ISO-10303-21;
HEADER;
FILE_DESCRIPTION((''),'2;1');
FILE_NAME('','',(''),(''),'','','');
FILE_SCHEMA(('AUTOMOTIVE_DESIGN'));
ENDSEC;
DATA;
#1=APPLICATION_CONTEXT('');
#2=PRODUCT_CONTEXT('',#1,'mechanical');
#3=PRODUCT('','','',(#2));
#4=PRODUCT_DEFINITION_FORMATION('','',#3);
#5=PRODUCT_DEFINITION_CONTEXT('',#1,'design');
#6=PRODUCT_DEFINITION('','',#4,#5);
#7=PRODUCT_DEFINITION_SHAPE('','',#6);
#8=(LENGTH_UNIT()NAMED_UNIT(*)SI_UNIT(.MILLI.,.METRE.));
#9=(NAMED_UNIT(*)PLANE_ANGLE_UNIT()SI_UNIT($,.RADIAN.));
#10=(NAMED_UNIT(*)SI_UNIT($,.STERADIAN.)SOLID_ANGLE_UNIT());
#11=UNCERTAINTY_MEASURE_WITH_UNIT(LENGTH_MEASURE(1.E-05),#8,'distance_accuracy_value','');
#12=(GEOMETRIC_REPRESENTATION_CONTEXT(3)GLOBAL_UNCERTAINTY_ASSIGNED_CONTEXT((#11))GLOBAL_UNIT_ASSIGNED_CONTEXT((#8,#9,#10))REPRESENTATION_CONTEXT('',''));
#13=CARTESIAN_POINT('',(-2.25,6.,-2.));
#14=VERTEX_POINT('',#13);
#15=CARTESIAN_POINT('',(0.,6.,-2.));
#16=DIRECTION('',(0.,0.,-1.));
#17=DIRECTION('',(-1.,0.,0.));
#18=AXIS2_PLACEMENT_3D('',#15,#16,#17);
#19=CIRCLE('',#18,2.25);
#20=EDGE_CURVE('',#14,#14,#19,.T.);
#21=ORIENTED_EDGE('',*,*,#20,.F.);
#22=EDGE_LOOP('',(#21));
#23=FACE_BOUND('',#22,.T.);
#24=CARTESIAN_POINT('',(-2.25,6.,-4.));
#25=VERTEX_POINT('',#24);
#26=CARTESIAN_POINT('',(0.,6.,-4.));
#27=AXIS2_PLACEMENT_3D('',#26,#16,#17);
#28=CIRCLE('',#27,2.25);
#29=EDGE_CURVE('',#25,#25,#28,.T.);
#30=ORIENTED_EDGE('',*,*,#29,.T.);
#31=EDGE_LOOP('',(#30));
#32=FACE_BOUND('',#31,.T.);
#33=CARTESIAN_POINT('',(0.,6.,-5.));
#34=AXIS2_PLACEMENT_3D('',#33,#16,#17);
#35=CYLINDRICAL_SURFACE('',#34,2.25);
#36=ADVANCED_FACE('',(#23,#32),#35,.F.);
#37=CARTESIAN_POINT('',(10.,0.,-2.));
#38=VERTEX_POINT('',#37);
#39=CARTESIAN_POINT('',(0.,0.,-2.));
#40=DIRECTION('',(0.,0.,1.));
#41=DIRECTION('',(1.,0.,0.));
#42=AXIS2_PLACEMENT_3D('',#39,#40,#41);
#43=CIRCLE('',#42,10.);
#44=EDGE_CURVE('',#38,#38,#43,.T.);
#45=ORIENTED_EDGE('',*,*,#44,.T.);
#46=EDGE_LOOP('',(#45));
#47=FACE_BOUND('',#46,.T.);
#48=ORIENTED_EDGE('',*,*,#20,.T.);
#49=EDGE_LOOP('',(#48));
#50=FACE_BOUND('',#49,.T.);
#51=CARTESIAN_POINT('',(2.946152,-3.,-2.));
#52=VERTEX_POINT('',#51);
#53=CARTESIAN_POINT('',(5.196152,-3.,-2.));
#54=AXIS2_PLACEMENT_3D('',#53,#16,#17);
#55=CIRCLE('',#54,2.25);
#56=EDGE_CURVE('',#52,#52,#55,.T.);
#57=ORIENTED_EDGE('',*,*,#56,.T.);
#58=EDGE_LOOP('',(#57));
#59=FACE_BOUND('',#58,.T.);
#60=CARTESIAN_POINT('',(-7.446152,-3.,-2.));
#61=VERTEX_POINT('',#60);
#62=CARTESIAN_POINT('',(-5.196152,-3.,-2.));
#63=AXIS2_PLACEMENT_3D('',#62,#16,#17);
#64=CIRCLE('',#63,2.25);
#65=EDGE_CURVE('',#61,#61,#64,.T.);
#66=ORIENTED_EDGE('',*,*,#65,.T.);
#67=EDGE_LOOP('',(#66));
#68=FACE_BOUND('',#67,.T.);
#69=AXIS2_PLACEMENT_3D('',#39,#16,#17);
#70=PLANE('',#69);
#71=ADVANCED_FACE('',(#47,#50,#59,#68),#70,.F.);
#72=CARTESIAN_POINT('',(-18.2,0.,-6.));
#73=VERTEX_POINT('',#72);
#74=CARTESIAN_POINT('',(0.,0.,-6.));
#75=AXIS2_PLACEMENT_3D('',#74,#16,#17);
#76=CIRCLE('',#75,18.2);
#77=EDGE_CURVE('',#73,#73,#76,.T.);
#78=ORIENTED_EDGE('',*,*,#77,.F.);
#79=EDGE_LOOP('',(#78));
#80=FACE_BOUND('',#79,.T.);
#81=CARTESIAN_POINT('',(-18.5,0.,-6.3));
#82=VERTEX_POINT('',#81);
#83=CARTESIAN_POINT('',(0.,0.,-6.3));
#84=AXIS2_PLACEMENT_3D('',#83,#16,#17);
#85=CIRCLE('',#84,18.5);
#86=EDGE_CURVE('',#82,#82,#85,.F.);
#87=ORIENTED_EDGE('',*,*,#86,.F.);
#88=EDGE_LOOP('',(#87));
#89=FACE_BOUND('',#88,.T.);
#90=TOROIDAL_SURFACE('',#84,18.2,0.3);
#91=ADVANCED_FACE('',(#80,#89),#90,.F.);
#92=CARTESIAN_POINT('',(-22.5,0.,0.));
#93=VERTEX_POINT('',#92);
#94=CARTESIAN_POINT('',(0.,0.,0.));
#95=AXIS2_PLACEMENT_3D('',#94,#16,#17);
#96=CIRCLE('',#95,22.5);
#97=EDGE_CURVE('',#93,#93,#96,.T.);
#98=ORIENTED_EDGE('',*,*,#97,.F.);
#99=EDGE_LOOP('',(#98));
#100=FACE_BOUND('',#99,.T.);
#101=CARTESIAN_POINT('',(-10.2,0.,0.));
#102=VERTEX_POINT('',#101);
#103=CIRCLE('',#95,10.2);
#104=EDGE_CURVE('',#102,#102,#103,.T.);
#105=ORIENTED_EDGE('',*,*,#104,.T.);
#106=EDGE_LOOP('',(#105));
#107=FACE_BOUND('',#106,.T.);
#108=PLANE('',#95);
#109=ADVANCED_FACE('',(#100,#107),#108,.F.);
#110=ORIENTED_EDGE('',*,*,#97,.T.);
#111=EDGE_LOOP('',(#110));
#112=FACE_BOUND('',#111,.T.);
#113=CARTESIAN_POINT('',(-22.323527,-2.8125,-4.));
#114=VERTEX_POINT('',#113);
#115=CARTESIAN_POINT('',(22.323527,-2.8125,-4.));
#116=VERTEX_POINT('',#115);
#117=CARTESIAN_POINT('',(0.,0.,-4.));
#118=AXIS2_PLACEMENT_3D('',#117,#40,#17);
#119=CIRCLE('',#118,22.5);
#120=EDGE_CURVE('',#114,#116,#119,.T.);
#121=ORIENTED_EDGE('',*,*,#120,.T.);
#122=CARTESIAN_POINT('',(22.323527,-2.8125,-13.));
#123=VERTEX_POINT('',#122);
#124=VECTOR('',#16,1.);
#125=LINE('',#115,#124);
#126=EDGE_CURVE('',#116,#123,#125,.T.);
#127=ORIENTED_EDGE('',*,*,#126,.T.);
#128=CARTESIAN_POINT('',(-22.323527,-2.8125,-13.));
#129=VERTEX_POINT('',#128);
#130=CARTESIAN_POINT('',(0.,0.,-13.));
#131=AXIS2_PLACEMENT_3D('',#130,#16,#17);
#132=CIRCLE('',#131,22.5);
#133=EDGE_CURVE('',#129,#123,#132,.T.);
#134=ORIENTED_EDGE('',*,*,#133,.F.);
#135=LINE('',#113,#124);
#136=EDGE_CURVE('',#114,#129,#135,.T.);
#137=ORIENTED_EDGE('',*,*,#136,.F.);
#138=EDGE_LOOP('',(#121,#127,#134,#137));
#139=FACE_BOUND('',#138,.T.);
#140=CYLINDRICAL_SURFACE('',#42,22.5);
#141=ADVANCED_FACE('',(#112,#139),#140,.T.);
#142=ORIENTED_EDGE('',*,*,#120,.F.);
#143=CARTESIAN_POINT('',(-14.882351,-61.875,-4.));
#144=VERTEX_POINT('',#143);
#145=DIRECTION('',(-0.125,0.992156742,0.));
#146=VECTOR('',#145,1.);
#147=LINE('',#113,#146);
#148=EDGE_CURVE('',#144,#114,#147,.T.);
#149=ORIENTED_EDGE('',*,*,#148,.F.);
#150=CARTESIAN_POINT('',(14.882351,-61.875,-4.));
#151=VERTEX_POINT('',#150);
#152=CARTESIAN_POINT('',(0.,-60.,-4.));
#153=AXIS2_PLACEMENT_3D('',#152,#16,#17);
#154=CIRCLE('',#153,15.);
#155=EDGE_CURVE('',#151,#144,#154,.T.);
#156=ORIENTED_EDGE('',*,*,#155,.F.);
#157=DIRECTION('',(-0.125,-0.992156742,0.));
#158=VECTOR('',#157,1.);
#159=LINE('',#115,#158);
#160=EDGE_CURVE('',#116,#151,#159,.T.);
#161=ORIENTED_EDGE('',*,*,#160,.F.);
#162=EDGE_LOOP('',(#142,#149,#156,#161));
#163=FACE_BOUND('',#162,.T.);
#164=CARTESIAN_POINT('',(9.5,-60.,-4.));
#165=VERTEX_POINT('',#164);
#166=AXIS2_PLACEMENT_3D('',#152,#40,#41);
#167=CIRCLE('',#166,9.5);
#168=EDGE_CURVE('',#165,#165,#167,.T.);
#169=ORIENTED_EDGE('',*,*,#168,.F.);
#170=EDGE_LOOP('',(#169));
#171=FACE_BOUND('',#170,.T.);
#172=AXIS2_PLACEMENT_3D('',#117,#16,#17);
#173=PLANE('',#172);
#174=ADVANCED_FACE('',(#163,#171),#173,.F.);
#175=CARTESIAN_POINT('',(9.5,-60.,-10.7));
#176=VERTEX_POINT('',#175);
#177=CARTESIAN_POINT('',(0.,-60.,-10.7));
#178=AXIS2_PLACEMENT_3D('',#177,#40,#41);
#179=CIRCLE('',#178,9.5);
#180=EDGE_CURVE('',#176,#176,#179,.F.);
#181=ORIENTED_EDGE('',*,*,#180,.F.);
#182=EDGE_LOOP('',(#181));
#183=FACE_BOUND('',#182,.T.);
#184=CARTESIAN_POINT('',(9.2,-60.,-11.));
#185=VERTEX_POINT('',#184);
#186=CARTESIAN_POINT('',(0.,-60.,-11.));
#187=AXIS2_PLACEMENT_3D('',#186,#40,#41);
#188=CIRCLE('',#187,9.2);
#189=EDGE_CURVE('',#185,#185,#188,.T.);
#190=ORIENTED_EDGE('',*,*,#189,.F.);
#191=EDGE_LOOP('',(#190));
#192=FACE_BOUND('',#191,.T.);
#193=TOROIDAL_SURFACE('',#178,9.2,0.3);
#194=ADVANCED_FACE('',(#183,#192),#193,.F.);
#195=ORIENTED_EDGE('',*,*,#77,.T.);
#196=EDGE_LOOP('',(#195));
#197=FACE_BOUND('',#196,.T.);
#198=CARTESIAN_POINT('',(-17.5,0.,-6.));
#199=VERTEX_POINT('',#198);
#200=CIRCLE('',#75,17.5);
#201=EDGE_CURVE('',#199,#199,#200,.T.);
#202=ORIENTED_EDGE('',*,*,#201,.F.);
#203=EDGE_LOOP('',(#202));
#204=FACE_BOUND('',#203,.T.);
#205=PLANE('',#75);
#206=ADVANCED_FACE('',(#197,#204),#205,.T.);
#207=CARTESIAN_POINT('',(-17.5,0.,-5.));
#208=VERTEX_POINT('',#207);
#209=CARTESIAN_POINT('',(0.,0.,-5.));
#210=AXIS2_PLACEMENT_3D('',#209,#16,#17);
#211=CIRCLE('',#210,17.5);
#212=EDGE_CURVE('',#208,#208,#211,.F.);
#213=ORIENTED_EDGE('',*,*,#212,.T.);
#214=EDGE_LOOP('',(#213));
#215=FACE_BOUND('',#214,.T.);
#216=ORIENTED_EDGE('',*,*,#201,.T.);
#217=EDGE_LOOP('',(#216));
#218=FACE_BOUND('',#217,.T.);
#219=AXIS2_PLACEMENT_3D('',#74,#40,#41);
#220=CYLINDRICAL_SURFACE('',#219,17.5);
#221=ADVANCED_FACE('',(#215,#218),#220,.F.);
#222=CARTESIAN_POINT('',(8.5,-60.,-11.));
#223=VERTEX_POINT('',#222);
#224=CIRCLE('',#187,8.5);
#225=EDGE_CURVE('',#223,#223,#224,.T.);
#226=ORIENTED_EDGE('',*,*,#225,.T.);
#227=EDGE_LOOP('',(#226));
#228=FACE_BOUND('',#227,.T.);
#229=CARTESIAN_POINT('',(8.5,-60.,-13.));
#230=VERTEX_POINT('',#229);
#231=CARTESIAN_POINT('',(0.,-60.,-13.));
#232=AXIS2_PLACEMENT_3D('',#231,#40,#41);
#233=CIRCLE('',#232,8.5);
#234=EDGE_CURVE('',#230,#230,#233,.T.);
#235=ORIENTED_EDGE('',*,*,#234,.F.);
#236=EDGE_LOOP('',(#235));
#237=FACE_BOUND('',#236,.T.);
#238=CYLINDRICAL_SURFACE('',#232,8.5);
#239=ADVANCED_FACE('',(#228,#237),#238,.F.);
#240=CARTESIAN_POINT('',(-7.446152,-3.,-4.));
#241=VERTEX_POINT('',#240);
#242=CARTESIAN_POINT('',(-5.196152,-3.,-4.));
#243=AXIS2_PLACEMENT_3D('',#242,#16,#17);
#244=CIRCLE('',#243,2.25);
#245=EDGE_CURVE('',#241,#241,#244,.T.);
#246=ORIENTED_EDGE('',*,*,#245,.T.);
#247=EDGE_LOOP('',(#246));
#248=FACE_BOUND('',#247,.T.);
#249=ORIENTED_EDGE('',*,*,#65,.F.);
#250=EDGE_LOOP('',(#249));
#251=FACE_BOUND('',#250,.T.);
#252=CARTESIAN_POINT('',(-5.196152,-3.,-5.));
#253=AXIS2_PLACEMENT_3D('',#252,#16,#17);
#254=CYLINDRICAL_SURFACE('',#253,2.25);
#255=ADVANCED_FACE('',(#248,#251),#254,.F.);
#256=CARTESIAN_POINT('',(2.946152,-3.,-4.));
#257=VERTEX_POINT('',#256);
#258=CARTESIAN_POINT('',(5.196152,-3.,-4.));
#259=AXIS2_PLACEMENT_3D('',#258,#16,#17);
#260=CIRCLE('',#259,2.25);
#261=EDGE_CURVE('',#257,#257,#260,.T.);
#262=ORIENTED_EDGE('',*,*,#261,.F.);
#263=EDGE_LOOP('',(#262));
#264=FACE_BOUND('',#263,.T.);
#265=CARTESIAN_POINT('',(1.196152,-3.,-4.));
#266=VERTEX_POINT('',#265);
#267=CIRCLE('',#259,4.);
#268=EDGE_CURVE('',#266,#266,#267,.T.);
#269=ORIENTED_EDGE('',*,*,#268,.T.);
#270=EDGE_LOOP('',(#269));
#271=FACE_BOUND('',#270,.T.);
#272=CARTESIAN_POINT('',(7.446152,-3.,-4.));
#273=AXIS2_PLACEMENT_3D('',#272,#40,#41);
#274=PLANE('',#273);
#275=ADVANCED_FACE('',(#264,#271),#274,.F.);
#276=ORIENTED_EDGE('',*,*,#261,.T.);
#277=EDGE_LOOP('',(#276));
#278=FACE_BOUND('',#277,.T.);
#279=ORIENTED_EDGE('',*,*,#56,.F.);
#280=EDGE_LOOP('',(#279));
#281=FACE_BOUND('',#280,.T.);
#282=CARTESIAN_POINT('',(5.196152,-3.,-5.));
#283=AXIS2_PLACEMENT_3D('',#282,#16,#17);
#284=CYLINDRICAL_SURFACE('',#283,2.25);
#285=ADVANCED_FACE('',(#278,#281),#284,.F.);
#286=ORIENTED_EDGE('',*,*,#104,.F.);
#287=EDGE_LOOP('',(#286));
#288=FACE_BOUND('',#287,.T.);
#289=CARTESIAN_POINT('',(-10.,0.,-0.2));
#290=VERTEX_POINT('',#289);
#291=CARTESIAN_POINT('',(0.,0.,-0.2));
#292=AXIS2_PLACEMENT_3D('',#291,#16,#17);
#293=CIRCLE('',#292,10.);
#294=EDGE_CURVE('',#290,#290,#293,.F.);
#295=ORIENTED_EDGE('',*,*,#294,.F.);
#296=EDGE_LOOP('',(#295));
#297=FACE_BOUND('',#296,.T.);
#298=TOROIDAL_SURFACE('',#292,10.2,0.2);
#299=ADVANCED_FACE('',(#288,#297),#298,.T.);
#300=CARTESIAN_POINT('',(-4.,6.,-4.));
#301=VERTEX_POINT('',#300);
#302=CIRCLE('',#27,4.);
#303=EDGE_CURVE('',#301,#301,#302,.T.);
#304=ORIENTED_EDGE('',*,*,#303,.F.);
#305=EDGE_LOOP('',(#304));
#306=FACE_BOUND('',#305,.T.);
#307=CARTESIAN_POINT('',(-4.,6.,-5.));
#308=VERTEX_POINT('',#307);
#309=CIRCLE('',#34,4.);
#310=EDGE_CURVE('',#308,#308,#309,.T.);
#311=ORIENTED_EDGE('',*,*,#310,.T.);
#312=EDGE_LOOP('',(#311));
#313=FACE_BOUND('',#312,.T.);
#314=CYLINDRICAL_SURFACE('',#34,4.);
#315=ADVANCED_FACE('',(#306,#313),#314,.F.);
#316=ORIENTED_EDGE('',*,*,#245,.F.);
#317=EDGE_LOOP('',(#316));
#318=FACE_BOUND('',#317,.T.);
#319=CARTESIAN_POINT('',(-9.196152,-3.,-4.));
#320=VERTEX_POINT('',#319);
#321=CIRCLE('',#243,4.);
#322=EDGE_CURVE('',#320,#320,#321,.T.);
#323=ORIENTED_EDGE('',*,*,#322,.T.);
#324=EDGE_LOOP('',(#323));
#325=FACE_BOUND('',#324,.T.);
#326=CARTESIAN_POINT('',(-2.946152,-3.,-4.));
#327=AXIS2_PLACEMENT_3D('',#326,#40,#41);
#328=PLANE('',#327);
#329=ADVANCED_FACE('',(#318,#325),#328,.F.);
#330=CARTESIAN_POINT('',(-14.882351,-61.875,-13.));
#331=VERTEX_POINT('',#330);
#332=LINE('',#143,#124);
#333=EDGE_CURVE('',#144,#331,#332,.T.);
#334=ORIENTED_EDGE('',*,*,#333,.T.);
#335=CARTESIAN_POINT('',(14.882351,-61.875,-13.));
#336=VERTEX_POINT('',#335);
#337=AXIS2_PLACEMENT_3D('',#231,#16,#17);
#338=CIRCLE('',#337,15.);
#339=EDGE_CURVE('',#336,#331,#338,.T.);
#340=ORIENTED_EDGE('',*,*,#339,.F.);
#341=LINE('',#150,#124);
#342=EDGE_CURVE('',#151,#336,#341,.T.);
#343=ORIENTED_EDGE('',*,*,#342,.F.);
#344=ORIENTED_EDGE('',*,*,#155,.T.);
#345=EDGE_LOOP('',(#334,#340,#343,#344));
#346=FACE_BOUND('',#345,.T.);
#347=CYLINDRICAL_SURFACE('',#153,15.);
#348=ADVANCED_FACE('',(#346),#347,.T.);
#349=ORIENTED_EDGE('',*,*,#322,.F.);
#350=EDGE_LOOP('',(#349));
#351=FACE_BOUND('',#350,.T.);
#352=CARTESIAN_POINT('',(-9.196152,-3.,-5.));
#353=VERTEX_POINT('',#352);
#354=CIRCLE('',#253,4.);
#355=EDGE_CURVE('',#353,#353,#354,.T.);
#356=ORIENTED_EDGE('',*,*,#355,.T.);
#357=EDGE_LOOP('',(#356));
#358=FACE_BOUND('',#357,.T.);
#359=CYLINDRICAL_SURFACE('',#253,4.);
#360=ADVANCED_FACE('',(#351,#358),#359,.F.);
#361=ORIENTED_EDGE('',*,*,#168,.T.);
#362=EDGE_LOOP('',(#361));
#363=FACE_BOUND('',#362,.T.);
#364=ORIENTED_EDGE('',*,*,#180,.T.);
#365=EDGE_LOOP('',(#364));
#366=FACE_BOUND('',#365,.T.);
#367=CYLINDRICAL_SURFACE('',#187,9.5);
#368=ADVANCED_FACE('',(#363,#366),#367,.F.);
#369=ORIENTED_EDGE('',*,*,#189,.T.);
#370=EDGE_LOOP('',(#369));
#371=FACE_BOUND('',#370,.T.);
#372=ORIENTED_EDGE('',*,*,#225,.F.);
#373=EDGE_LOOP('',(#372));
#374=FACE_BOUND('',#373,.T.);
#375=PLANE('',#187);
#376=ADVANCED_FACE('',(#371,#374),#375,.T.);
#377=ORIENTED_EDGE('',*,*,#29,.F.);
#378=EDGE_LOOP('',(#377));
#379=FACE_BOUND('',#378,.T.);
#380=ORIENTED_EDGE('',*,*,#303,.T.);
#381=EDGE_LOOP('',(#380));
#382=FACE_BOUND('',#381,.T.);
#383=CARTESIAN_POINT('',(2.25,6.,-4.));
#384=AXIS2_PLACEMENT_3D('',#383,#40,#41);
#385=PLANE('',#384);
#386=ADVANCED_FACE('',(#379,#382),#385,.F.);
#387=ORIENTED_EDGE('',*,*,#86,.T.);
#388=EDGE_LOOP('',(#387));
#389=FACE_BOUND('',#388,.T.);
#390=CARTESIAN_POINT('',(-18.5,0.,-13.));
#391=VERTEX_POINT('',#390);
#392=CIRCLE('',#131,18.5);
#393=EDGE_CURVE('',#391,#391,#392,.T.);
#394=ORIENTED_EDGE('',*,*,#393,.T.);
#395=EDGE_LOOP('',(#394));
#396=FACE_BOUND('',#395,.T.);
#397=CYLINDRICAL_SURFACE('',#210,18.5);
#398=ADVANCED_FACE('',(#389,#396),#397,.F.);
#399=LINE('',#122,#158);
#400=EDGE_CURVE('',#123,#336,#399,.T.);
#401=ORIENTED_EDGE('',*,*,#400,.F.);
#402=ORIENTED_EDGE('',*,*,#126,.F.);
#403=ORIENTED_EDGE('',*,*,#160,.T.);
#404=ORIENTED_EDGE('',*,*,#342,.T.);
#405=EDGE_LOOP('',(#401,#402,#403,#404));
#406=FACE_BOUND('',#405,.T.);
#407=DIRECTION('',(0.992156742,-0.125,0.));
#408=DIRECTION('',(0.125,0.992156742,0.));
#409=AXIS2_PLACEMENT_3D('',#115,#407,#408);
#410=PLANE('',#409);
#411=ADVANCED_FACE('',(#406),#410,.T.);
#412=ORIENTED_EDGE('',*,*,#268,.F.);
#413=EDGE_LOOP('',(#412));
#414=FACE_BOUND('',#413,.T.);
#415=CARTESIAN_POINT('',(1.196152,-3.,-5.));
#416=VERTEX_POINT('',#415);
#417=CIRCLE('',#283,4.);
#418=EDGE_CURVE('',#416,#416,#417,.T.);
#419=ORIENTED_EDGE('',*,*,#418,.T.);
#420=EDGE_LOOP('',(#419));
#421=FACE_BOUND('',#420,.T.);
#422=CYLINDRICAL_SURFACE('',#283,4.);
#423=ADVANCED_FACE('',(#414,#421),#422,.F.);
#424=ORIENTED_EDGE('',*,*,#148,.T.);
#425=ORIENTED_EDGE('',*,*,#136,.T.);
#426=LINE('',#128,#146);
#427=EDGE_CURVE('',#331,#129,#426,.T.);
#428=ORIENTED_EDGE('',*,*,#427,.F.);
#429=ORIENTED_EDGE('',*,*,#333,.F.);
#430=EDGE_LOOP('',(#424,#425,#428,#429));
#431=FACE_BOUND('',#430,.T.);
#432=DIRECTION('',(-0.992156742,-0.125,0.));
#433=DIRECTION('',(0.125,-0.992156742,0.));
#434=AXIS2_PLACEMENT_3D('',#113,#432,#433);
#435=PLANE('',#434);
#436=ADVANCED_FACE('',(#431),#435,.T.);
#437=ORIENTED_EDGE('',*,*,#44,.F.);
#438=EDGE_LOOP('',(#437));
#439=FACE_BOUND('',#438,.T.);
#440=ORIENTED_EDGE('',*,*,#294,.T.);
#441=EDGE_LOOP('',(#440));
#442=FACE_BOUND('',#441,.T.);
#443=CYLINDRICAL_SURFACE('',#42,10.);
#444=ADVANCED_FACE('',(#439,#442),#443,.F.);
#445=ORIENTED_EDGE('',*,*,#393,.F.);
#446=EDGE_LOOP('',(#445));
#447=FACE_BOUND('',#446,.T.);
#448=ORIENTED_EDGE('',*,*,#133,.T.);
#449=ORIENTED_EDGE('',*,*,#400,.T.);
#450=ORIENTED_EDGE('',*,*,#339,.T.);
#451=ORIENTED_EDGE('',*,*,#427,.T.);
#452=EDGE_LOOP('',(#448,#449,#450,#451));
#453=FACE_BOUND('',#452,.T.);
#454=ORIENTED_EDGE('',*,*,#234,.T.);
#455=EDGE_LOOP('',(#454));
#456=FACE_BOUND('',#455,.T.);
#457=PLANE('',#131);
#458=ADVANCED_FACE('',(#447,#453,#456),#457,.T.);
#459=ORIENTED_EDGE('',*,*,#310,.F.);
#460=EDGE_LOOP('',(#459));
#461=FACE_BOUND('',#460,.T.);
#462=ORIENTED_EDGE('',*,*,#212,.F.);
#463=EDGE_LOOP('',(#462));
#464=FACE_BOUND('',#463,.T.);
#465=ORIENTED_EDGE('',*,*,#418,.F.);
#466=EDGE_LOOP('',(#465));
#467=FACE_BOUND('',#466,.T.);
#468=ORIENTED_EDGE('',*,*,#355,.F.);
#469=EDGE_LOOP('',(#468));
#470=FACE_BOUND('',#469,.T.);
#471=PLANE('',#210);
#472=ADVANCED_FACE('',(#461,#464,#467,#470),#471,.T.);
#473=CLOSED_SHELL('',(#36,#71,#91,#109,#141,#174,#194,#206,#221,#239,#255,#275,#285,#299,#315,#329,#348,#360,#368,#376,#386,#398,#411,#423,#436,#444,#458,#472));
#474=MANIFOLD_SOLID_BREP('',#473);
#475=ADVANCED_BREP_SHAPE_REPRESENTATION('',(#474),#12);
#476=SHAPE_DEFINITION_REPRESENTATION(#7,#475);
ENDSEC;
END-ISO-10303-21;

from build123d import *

# Parameters (mm, degrees)
SKETCH_2_R                   = 22.5
EXTRUDE_2_DEPTH              = 2
SKETCH_22_R                  = 10
CUT_EXTRUDE_1_DEPTH          = 2
FILLET_4_R                   = 0.2
SKETCH_54_R                  = 22.5
EXTRUDE_6_DEPTH              = 11
SKETCH_55_R                  = 18.5
CUT_EXTRUDE_2_DEPTH          = 8
HOLE_WIZARD_M4_1_D           = 4.5
HOLE_WIZARD_M4_1_CBORE_D     = 8
HOLE_WIZARD_M4_1_CBORE_DEPTH = 1
PATTERN_CIRCULAR_1_COUNT     = 3
SKETCH_59_R                  = 18.5
SKETCH_59_R_2                = 17.5
EXTRUDE_7_DEPTH              = 1
EXTRUDE_8_DEPTH              = 9
FILLET_6_R                   = 0.3
SKETCH_68_R                  = 9.5
CUT_EXTRUDE_7_DEPTH          = 7
SKETCH_69_R                  = 8.5
CUT_EXTRUDE_8_DEPTH          = 3
FILLET_7_R                   = 0.3


with BuildPart() as part:
    # 스케치2 → 보스-돌출2 (new body)
    with BuildSketch(Plane(origin=(0, 6, 0), x_dir=(1, 0, 0), z_dir=(0, 0, -1))):
        with Locations((0, 6)):
            Circle(SKETCH_2_R)
    extrude(amount=EXTRUDE_2_DEPTH)

    # 스케치22 → 컷-돌출1 (cut)
    with BuildSketch(Plane.XY):
        Circle(SKETCH_22_R)
    extrude(amount=-CUT_EXTRUDE_1_DEPTH, mode=Mode.SUBTRACT)

    # 필렛4
    fillet_4_edges = [part.edges().sort_by_distance(p)[0] for p in [
        (-10, 0, 0),
    ]]
    fillet(fillet_4_edges, radius=FILLET_4_R)

    # 스케치54 → 보스-돌출6 (add)
    with BuildSketch(Plane(origin=(0, 0, -2), x_dir=(-1, 0, 0), z_dir=(0, 0, -1))):
        Circle(SKETCH_54_R)
    extrude(amount=EXTRUDE_6_DEPTH)

    # 스케치55 → 컷-돌출2 (cut)
    with BuildSketch(Plane(origin=(0, 0, -13), x_dir=(-1, 0, 0), z_dir=(0, 0, -1))):
        Circle(SKETCH_55_R)
    extrude(amount=-CUT_EXTRUDE_2_DEPTH, mode=Mode.SUBTRACT)

    # M4 육각 소켓 머리 캡 나사용 카운터보어1 (through all)
    with Locations(Plane(origin=(0, 0, -5), x_dir=(-1, 0, 0), z_dir=(0, 0, -1))):
        with Locations((0, 6)):
            hole_wizard_m4_1 = CounterBoreHole(HOLE_WIZARD_M4_1_D / 2, HOLE_WIZARD_M4_1_CBORE_D / 2, HOLE_WIZARD_M4_1_CBORE_DEPTH)

    # 원형 패턴1: M4 육각 소켓 머리 캡 나사용 카운터보어1 ×3 about axis
    pattern_circular_1_axis = Axis((0, 0, 0), (0, 0, 1))
    for i in range(1, PATTERN_CIRCULAR_1_COUNT):
        add(hole_wizard_m4_1.rotate(pattern_circular_1_axis, i * 360 / PATTERN_CIRCULAR_1_COUNT), mode=Mode.SUBTRACT)

    # 스케치59 → 보스-돌출7 (add)
    with BuildSketch(Plane(origin=(0, 0, -5), x_dir=(-1, 0, 0), z_dir=(0, 0, -1))):
        Circle(SKETCH_59_R)
        Circle(SKETCH_59_R_2, mode=Mode.SUBTRACT)
    extrude(amount=EXTRUDE_7_DEPTH)

    # 스케치60 → 보스-돌출8 (add)
    with BuildSketch(Plane(origin=(0, 0, -13), x_dir=(-1, 0, 0), z_dir=(0, 0, -1))):
        with BuildLine():
            Line((-22.323526687, -2.8125), (-14.882351125, -61.875))
            ThreePointArc((-14.882351125, -61.875), (0, -75), (14.882351125, -61.875))
            Line((14.882351125, -61.875), (22.323526687, -2.8125))
            ThreePointArc((22.323526687, -2.8125), (0, -22.5), (-22.323526687, -2.8125))
        make_face()
    extrude(amount=-EXTRUDE_8_DEPTH)

    # 필렛6
    fillet_6_edges = [part.edges().sort_by_distance(p)[0] for p in [
        (18.5, 0, -6),
    ]]
    fillet(fillet_6_edges, radius=FILLET_6_R)

    # 스케치68 → 컷-돌출7 (cut)
    with BuildSketch(Plane.XY.offset(-4)):
        with Locations((0, -60)):
            Circle(SKETCH_68_R)
    extrude(amount=-CUT_EXTRUDE_7_DEPTH, mode=Mode.SUBTRACT)

    # 스케치69 → 컷-돌출8 (cut, through all)
    with BuildSketch(Plane.XY.offset(-11)):
        with Locations((0, -60)):
            Circle(SKETCH_69_R)
    extrude(amount=-CUT_EXTRUDE_8_DEPTH, mode=Mode.SUBTRACT)

    # 필렛7
    fillet_7_edges = [part.edges().sort_by_distance(p)[0] for p in [
        (-9.5, -60, -11),
    ]]
    fillet(fillet_7_edges, radius=FILLET_7_R)


solid = part.part
